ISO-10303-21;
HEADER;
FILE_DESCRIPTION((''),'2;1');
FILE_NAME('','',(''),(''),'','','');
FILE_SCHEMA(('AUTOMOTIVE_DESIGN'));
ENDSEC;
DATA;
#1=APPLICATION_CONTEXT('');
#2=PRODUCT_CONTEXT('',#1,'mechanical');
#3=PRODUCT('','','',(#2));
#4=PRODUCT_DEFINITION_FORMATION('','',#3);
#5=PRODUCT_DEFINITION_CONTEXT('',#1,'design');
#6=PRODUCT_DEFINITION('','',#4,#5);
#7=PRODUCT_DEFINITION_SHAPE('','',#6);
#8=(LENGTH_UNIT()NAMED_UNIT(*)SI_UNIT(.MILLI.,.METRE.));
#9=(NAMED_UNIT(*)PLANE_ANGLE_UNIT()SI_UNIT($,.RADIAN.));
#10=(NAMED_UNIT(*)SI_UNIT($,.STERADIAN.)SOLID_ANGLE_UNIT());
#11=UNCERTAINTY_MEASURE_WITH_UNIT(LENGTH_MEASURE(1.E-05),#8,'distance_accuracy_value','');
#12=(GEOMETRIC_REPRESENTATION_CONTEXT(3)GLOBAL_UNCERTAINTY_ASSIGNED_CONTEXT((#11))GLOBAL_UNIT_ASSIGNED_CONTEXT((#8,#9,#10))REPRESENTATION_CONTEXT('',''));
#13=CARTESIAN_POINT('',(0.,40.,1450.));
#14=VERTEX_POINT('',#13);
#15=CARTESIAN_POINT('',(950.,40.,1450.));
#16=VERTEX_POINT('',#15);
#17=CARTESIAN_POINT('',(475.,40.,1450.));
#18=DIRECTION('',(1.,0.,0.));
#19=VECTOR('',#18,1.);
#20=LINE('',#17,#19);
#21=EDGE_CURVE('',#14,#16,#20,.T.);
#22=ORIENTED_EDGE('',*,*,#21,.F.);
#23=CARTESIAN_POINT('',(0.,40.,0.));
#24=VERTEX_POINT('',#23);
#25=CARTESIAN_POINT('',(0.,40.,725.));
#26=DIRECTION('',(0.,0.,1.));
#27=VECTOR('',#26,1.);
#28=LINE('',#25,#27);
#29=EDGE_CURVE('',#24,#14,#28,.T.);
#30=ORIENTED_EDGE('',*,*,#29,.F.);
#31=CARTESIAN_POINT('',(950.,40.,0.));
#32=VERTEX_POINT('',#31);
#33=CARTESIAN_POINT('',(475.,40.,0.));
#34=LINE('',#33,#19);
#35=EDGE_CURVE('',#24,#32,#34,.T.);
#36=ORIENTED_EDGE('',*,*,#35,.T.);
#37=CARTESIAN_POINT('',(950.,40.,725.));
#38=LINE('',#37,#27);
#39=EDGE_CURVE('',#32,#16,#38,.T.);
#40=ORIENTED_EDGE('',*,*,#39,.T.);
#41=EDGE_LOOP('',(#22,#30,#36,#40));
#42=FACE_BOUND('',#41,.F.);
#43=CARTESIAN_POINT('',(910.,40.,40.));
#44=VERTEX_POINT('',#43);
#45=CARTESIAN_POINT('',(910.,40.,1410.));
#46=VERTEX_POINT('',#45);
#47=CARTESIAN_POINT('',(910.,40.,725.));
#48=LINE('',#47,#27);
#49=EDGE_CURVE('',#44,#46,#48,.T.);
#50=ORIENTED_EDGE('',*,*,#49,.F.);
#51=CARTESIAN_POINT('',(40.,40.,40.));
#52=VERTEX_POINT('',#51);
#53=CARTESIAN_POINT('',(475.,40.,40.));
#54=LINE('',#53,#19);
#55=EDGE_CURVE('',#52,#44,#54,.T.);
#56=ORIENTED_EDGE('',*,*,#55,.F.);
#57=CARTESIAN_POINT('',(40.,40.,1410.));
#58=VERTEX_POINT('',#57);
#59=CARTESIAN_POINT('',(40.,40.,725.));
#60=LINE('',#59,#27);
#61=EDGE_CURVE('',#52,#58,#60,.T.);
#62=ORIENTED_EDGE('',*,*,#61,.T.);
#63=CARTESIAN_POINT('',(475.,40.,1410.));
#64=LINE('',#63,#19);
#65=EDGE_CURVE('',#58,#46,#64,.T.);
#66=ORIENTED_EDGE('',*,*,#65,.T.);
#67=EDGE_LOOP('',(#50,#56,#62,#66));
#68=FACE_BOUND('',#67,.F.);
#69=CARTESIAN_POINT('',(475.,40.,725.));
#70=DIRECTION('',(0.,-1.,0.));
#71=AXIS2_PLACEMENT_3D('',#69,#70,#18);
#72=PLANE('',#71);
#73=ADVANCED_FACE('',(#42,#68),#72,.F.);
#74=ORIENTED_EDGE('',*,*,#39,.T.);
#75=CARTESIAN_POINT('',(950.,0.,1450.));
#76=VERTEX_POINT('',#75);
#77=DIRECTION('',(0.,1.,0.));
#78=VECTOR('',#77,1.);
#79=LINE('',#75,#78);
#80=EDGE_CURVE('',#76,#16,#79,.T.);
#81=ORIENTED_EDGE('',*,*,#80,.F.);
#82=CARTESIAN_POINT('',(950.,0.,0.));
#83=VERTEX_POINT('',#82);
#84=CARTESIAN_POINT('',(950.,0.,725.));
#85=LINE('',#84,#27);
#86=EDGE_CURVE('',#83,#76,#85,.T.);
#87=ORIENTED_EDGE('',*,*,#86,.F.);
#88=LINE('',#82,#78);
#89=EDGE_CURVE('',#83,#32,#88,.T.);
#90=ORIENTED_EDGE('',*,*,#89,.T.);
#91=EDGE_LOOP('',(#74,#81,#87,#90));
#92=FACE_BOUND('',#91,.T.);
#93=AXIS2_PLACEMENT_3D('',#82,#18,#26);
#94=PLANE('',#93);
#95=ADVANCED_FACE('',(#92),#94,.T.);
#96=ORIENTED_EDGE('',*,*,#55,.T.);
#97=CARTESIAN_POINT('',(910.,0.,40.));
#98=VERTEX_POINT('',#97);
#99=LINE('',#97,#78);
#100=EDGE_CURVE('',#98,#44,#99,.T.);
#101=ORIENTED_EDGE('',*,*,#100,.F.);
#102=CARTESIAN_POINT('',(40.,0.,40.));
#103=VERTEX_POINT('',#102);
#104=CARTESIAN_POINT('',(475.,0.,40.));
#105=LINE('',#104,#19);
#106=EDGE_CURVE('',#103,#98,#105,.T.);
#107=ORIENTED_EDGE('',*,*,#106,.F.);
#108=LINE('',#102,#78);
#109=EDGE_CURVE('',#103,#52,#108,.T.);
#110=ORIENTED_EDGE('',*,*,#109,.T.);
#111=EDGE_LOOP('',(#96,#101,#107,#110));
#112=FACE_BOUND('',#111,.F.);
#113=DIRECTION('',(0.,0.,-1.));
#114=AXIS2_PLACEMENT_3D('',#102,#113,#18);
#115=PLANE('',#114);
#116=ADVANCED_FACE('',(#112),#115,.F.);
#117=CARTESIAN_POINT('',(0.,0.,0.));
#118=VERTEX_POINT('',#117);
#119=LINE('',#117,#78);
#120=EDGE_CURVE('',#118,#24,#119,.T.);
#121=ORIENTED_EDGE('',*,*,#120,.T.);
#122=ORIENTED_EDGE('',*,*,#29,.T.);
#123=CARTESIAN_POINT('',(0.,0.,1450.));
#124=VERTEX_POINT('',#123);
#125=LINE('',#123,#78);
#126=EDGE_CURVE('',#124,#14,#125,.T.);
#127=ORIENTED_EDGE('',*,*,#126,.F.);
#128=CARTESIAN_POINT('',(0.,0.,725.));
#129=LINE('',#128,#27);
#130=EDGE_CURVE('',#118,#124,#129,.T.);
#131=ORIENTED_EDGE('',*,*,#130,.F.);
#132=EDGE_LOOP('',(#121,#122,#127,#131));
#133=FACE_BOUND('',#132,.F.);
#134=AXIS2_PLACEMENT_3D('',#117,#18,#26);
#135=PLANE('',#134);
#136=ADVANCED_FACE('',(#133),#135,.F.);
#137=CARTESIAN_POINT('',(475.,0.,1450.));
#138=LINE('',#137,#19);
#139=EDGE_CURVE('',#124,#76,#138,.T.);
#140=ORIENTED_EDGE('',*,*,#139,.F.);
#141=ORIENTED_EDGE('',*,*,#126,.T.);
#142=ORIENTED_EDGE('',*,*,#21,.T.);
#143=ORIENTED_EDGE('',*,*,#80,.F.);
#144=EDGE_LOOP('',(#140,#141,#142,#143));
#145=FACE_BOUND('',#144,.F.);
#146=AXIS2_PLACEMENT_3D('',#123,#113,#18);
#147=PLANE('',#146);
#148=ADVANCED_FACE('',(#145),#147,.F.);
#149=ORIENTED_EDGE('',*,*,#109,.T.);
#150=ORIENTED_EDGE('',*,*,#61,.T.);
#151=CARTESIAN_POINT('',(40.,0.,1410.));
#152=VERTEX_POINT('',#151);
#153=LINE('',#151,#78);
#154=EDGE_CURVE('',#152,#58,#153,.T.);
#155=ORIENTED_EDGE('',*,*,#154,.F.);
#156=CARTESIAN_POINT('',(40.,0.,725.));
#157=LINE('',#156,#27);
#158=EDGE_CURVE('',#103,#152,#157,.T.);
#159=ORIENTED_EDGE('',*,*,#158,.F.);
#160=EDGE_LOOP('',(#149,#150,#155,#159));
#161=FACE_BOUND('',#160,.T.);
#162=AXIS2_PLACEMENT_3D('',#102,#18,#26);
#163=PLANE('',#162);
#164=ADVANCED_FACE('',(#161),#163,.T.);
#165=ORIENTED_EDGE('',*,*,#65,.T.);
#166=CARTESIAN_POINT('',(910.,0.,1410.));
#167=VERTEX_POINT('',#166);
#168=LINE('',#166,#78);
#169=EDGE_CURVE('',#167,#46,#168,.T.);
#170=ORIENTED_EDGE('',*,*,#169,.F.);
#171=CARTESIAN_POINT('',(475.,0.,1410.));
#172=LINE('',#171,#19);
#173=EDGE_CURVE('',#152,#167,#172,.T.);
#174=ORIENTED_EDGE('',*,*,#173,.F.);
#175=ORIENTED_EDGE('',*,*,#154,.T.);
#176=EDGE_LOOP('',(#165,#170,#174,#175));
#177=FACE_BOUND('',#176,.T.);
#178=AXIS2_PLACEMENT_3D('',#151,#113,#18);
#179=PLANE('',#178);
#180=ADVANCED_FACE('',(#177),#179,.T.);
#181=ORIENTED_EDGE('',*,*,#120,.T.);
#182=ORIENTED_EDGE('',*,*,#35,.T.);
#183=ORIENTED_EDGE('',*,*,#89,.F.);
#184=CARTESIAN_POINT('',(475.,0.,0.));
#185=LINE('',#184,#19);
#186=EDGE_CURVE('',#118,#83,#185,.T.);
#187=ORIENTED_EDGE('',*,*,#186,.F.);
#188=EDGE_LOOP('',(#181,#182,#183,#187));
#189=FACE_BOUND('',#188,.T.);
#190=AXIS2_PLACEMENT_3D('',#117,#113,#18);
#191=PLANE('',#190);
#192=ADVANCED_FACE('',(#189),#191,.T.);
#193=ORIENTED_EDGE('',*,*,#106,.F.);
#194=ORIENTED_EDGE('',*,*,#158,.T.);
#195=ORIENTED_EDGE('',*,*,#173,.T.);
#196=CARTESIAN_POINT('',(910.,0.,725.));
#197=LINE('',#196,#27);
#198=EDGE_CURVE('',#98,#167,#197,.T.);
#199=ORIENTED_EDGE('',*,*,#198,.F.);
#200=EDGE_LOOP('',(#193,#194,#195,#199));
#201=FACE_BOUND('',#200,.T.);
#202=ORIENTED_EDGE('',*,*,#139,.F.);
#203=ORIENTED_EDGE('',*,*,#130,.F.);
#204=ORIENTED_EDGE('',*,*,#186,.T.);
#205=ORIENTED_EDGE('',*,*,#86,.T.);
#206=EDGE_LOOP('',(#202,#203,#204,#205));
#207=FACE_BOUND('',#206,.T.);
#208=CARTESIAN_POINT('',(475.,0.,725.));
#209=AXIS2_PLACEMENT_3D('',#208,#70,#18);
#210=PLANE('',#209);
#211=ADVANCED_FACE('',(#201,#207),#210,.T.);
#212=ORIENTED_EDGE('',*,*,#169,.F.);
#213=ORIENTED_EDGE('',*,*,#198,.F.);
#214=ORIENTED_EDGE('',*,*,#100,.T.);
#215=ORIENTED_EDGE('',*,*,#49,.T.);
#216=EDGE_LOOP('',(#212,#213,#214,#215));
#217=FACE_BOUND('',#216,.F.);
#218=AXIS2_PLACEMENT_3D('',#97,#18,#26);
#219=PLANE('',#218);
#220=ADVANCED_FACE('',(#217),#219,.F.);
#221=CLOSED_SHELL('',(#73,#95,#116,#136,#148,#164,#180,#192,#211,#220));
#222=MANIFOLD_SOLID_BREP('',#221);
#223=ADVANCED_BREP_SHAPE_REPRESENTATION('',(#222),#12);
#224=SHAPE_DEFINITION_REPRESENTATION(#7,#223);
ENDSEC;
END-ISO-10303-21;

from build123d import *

# Parameters (mm, degrees)
F0_W     = 950
F0_H     = 1450
F0_W_2   = 870
F0_H_2   = 1370
F1_DEPTH = 40


with BuildPart() as f1:
    # F0 (on Front) → F1 (new body)
    with BuildSketch(Plane.XZ):
        with Locations((475, 725)):
            Rectangle(F0_W, F0_H)
        with Locations((475, 725)):
            Rectangle(F0_W_2, F0_H_2, mode=Mode.SUBTRACT)
    extrude(amount=-F1_DEPTH)


solid = f1.part
